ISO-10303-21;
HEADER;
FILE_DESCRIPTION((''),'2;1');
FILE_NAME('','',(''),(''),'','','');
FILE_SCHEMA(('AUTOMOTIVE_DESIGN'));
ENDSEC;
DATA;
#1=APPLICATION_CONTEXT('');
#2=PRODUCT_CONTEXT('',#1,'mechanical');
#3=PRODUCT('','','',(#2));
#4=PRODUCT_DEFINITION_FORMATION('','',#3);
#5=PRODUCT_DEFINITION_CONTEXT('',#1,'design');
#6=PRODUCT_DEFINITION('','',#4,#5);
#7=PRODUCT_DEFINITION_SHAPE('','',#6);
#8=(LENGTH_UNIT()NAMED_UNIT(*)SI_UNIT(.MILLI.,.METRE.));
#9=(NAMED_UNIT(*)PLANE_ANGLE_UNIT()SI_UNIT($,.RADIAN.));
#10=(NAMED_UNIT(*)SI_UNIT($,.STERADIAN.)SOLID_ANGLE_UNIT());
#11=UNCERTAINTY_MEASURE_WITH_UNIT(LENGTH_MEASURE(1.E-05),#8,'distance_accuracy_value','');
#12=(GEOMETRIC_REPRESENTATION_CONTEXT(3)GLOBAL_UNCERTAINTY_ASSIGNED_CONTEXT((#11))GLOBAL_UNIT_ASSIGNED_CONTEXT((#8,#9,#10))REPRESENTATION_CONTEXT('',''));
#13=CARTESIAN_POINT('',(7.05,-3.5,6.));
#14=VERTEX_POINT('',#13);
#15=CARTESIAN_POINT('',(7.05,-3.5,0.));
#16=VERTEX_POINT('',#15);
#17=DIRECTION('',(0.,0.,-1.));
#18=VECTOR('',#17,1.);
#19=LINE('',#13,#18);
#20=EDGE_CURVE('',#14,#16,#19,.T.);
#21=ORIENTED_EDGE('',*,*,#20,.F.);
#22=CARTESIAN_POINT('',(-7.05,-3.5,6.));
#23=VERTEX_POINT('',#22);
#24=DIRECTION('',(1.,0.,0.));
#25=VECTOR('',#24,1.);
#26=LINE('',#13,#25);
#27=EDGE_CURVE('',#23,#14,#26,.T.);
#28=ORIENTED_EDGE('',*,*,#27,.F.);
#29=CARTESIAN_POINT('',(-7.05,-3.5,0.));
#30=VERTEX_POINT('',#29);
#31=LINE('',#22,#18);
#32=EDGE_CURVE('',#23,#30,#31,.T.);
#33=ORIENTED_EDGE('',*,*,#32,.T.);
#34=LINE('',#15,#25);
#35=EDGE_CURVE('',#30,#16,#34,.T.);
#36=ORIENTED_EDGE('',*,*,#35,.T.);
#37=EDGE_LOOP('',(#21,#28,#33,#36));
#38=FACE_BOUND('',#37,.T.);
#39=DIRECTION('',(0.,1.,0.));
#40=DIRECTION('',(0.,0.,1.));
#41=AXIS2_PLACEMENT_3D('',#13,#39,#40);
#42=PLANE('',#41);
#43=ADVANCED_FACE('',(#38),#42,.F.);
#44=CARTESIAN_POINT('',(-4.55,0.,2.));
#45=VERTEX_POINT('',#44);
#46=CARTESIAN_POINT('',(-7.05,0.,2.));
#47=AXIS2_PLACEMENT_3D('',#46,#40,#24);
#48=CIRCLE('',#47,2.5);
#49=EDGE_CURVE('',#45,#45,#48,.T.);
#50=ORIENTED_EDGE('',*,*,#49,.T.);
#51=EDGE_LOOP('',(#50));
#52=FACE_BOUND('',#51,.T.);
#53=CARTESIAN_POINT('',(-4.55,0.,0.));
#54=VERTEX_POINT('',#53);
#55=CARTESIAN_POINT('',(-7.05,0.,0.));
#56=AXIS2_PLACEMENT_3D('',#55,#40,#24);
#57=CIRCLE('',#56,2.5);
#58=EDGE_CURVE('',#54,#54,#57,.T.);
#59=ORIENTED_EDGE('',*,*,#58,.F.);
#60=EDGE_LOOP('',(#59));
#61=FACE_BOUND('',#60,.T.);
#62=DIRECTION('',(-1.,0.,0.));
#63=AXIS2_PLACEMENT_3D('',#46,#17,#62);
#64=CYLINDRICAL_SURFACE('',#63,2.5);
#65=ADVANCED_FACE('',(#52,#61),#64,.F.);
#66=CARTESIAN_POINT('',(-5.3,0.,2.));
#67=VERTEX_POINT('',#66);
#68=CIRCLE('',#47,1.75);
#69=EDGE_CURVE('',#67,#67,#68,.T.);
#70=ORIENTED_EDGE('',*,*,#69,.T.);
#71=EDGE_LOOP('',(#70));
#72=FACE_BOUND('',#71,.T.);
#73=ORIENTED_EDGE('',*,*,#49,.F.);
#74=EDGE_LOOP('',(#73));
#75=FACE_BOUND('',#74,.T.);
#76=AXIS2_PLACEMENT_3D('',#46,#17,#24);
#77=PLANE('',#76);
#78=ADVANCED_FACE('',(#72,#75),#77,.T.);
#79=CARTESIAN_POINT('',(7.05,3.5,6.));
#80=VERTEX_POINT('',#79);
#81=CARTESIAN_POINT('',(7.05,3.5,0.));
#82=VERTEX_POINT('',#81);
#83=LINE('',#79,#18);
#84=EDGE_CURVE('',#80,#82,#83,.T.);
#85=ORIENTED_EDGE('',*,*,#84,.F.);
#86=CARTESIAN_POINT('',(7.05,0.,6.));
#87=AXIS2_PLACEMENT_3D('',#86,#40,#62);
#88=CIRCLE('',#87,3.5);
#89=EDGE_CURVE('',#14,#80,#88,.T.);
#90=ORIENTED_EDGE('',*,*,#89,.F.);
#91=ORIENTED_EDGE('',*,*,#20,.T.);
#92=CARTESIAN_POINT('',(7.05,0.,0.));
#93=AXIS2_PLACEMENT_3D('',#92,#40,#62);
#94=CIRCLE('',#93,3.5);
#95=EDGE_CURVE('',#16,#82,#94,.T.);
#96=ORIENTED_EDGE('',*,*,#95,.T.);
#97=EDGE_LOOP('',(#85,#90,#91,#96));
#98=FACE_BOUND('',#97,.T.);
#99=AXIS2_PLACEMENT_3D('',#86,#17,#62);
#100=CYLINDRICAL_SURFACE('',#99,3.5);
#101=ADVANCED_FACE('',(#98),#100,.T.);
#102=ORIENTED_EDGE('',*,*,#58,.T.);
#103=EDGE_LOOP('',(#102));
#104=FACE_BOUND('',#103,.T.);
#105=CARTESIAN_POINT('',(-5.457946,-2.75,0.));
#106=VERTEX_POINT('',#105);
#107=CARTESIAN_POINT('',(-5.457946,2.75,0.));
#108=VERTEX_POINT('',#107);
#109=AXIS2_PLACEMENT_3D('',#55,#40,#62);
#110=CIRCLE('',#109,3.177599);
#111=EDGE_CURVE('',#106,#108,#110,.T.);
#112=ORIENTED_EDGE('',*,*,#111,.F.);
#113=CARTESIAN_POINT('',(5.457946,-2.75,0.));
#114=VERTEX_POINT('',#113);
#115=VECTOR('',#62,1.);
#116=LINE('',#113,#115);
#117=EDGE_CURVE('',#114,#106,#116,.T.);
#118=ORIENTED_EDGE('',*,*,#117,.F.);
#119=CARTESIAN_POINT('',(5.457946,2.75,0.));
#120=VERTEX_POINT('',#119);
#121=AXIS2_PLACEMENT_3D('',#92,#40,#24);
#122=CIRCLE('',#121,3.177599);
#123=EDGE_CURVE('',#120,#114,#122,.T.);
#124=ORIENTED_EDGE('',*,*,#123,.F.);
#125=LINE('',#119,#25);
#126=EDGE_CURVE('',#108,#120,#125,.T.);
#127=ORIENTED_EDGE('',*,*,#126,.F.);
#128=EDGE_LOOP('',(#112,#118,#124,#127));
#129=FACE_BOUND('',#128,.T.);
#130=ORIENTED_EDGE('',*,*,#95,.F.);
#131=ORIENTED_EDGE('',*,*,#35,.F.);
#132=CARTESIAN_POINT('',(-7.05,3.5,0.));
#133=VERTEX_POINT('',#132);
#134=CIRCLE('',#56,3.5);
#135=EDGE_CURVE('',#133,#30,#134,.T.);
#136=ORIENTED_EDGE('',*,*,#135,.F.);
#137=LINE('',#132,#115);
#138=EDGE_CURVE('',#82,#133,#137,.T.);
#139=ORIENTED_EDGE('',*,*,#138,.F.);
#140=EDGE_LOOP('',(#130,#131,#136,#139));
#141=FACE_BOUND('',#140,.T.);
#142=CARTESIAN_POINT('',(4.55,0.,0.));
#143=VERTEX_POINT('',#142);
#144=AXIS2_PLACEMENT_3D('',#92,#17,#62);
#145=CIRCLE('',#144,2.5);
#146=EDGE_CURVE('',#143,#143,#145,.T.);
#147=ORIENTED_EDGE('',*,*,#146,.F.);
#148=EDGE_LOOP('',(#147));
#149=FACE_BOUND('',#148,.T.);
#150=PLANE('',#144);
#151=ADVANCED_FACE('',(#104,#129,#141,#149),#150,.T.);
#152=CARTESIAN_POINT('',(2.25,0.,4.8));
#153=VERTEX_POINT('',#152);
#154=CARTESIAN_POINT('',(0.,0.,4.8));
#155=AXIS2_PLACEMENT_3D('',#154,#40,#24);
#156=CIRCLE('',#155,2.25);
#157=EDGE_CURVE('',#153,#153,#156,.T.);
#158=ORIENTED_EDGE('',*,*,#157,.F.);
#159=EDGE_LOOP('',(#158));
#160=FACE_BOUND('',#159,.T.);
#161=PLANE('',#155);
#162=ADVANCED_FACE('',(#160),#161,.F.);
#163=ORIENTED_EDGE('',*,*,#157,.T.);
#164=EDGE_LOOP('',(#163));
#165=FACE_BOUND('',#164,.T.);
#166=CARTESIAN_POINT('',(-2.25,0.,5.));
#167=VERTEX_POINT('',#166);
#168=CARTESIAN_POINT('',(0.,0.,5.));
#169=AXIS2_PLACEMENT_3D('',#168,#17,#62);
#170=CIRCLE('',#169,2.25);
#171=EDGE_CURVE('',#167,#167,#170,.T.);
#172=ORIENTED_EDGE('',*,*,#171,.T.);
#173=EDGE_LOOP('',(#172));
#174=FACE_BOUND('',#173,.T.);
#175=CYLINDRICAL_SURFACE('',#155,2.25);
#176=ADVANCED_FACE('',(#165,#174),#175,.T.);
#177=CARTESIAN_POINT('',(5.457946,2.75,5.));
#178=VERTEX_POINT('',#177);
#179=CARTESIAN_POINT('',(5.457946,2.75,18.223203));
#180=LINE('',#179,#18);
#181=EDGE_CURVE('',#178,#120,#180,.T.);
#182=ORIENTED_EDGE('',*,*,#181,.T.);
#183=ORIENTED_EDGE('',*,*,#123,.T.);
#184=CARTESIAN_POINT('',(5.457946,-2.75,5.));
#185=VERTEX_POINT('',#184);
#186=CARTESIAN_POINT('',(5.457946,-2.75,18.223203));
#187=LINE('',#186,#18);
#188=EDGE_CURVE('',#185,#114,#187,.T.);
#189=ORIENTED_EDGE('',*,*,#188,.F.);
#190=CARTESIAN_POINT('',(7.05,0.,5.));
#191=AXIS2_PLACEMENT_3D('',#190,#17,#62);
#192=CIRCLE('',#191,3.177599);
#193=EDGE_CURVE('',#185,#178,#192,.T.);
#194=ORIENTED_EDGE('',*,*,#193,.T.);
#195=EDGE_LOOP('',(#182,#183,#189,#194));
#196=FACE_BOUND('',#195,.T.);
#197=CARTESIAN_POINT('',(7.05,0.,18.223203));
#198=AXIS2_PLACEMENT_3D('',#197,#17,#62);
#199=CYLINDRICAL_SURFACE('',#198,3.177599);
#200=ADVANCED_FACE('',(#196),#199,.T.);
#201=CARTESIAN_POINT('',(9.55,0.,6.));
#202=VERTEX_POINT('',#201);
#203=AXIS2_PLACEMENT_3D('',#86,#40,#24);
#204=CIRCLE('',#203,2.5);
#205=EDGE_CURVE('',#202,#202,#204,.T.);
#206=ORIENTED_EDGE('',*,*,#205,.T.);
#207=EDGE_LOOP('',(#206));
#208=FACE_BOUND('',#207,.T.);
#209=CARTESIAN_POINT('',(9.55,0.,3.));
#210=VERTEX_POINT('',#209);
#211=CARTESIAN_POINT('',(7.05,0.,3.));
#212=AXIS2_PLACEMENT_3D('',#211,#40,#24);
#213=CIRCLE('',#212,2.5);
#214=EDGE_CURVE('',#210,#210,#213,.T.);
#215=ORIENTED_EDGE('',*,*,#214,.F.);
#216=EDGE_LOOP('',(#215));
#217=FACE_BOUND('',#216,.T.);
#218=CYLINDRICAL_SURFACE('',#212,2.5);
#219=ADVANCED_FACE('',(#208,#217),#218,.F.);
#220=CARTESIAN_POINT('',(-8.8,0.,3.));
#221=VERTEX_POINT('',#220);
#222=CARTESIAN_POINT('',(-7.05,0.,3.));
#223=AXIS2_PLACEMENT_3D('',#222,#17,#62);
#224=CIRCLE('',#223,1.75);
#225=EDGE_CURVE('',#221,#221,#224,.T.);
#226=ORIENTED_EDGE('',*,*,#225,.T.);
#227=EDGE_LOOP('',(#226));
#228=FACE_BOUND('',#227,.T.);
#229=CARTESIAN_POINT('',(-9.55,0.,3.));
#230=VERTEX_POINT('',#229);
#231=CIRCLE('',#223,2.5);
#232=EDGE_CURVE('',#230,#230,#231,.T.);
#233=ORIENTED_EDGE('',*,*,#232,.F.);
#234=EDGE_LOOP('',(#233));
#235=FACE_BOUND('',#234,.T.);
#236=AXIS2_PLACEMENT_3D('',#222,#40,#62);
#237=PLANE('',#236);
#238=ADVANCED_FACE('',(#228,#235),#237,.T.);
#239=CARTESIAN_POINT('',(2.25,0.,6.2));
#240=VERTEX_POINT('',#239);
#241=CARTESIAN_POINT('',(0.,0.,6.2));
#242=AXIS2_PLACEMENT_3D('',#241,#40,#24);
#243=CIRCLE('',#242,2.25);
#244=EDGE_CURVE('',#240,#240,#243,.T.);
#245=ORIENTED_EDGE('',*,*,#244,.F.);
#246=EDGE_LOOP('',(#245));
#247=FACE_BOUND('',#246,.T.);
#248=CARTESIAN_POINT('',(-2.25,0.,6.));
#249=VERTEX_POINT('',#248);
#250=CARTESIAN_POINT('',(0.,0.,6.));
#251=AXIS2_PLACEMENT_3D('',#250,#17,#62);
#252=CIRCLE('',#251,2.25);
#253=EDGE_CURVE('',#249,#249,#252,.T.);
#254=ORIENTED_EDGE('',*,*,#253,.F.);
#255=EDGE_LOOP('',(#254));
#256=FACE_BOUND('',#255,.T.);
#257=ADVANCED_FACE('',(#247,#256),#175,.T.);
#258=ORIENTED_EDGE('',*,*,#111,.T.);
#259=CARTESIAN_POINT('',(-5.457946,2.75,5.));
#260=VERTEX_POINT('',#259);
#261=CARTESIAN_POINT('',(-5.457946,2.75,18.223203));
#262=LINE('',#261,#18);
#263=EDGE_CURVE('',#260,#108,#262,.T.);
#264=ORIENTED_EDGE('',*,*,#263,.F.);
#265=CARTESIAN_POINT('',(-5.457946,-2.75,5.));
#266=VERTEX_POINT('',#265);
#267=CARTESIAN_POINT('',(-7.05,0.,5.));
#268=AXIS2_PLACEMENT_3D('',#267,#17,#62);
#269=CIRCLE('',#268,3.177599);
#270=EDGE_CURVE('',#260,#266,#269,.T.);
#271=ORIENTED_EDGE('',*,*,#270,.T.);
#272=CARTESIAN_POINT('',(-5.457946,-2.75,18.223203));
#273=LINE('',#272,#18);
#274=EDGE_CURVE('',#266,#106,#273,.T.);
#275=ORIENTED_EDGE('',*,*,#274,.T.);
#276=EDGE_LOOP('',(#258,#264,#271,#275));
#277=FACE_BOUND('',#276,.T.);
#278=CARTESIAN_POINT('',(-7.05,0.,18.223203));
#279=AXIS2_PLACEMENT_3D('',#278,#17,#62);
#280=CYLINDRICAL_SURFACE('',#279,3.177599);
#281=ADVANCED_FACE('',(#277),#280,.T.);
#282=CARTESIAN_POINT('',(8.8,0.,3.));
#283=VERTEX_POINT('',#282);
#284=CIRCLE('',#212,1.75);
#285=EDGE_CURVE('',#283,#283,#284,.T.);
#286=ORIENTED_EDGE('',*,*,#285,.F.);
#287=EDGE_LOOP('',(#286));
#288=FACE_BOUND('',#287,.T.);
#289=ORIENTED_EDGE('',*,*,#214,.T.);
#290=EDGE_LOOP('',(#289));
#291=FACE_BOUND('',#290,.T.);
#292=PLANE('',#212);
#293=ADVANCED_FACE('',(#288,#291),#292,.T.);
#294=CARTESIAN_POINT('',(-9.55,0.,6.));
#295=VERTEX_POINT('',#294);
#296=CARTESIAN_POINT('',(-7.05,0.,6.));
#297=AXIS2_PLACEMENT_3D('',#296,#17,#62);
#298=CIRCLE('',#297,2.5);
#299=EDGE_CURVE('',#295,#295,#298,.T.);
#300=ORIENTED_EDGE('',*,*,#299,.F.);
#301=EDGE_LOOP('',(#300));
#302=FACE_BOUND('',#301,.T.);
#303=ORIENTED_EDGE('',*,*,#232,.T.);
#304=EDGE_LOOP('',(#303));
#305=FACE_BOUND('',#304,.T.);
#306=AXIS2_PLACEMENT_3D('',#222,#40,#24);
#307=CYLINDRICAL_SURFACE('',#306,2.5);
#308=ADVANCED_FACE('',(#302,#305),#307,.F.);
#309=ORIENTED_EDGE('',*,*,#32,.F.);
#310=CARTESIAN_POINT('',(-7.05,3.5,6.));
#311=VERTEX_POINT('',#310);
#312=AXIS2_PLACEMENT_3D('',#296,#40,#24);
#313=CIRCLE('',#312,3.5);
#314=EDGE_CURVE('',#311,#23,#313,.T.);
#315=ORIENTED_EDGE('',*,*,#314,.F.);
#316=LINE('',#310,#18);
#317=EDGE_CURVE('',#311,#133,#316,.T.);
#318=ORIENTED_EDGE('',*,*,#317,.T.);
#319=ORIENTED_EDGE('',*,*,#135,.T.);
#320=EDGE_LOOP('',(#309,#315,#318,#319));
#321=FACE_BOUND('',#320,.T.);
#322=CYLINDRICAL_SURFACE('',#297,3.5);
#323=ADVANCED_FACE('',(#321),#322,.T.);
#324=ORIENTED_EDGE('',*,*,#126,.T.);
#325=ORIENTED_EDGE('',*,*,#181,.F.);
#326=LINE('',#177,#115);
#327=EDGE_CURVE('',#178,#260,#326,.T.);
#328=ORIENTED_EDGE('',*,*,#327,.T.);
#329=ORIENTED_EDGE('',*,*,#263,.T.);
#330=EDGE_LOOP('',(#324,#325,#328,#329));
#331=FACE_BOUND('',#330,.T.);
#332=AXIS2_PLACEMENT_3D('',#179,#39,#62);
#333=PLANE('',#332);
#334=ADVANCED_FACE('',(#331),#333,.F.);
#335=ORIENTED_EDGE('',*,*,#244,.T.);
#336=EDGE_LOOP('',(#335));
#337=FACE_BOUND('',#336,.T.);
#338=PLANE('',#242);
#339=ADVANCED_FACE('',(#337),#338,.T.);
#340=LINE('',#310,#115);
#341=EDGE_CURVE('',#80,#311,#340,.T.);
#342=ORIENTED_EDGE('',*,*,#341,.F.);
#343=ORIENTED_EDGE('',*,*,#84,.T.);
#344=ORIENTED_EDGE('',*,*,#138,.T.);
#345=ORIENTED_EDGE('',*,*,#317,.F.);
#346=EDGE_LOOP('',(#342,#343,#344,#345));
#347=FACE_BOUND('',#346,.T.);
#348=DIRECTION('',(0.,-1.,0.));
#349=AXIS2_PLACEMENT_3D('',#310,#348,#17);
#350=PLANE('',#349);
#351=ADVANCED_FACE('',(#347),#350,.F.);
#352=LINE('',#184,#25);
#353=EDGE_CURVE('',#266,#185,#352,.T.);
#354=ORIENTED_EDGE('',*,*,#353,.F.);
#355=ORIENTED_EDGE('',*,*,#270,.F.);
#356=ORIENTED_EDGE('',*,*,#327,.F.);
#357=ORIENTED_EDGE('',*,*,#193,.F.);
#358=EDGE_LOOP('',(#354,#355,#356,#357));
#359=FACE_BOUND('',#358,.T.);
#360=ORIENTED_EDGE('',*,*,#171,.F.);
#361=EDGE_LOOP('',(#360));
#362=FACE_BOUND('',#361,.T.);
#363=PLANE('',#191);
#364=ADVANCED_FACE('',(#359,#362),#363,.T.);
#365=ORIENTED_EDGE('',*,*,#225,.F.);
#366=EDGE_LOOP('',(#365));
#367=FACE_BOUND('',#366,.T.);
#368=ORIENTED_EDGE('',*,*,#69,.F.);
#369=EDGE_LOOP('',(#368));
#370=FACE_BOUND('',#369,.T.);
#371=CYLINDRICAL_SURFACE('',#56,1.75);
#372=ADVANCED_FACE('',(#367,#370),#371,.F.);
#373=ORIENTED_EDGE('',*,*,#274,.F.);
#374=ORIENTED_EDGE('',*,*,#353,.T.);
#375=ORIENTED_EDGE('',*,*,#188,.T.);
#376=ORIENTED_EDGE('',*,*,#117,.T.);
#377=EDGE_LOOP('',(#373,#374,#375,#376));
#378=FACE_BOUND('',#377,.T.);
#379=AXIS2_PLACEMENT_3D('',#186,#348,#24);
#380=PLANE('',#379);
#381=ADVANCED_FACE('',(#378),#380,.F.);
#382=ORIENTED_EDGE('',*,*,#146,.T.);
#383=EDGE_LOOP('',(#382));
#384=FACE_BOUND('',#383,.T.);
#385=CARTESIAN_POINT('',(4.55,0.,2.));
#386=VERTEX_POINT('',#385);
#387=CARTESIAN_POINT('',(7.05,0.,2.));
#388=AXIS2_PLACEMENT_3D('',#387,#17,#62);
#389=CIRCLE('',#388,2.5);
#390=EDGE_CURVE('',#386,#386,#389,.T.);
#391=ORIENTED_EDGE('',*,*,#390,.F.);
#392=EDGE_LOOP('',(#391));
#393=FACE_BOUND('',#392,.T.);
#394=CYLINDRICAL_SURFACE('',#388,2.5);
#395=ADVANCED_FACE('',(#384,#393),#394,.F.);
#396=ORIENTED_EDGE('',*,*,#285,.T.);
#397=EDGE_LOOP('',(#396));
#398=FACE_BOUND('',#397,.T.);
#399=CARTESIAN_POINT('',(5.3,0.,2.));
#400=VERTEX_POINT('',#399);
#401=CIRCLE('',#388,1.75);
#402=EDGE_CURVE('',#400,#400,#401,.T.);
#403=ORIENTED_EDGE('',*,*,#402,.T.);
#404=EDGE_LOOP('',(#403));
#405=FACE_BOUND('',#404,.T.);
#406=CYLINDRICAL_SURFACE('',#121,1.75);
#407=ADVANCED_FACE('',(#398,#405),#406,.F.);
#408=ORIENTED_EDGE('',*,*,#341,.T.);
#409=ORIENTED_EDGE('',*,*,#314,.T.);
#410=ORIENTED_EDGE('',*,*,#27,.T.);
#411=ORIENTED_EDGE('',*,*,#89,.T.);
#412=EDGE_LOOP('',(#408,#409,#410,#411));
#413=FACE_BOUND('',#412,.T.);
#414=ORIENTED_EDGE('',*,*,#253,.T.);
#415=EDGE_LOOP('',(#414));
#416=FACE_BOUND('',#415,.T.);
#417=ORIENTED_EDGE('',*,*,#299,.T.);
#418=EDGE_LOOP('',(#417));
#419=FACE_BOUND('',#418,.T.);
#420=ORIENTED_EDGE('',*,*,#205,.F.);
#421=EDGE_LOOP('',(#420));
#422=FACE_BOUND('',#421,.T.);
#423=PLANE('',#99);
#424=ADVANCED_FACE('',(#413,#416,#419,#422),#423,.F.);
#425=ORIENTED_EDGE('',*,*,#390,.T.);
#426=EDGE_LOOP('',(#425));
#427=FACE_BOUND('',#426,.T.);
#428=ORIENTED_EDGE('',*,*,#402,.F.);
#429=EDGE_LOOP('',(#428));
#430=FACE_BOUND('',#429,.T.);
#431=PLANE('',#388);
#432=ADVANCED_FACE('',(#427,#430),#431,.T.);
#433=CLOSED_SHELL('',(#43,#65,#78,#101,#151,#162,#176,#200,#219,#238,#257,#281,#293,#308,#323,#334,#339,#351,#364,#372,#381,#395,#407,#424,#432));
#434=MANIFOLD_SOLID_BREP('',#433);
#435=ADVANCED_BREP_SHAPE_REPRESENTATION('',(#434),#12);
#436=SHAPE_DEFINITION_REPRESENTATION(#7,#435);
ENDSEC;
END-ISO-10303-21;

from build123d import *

# Parameters (mm, degrees)
ESTRUSIONE_ESTRUSIONE1_DEPTH      = 6
SCHIZZO2_R                        = 2.5
TAGLIO_ESTRUSIONE1_DEPTH          = 3
SCHIZZO3_R                        = 1.75
TAGLIO_ESTRUSIONE2_DEPTH          = 12.513144662
TAGLIO_ESTRUSIONE3_START          = -2
SCHIZZO4_R                        = 2.5
SCHIZZO4_R_2                      = 1.75
TAGLIO_ESTRUSIONE3_DEPTH          = 2
TAGLIO_ESTRUSIONE4_DEPTH          = 5
ESTRUSIONE_ESTRUSIONE2_DEPTH      = 0.2
ESTRUSIONE_ESTRUSIONE2_DEPTH_BACK = 1.2
SCHIZZO5_R                        = 2.25


with BuildPart() as part:
    # Schizzo1 → Estrusione-Estrusione1 (new body)
    with BuildSketch(Plane.XY):
        with BuildLine():
            Line((7.05, -3.5), (-7.05, -3.5))
            ThreePointArc((-7.05, -3.5), (-10.55, 0), (-7.05, 3.5))
            Line((-7.05, 3.5), (7.05, 3.5))
            ThreePointArc((7.05, 3.5), (10.55, 0), (7.05, -3.5))
        make_face()
    extrude(amount=ESTRUSIONE_ESTRUSIONE1_DEPTH)

    # Schizzo2 → Taglio-Estrusione1 (cut)
    with BuildSketch(Plane.XY.offset(6)):
        with Locations((7.05, 0)):
            Circle(SCHIZZO2_R)
    taglio_estrusione1 = extrude(amount=-TAGLIO_ESTRUSIONE1_DEPTH, mode=Mode.SUBTRACT)

    # Schizzo3 → Taglio-Estrusione2 (cut, through all)
    with BuildSketch(Plane.XY.offset(3)):
        with Locations((7.05, 0)):
            Circle(SCHIZZO3_R)
    taglio_estrusione2 = extrude(amount=-TAGLIO_ESTRUSIONE2_DEPTH, mode=Mode.SUBTRACT)

    # Schizzo4 → Taglio-Estrusione3 (cut)
    with BuildSketch(Plane(origin=(0, 0, 0), x_dir=(-1, 0, 0), z_dir=(0, 0, -1)).offset(TAGLIO_ESTRUSIONE3_START)):
        with Locations(Location((-7.05, 0, 0), (0, 0, 180))):
            Circle(SCHIZZO4_R)
        with Locations(Location((-7.05, 0, 0), (0, 0, 180))):
            Circle(SCHIZZO4_R_2, mode=Mode.SUBTRACT)
    taglio_estrusione3 = extrude(amount=TAGLIO_ESTRUSIONE3_DEPTH, mode=Mode.SUBTRACT)

    # Specchia1: Taglio-Estrusione1, Taglio-Estrusione2, Taglio-Estrusione3 across plane
    add(taglio_estrusione1.mirror(Plane(origin=(0, 0, 0), x_dir=(0, 0, 1), z_dir=(1, 0, 0))), mode=Mode.SUBTRACT)
    add(taglio_estrusione2.mirror(Plane(origin=(0, 0, 0), x_dir=(0, 0, 1), z_dir=(1, 0, 0))), mode=Mode.SUBTRACT)
    add(taglio_estrusione3.mirror(Plane(origin=(0, 0, 0), x_dir=(0, 0, 1), z_dir=(1, 0, 0))), mode=Mode.SUBTRACT)

    # Schizzo6 → Taglio-Estrusione4 (cut)
    with BuildSketch(Plane(origin=(0, 0, 0), x_dir=(-1, 0, 0), z_dir=(0, 0, -1))):
        with BuildLine():
            Line((-5.457945829, 2.75), (5.457945829, 2.75))
            ThreePointArc((5.457945829, 2.75), (3.87240083, 0), (5.457945829, -2.75))
            Line((5.457945829, -2.75), (-5.457945829, -2.75))
            ThreePointArc((-5.457945829, -2.75), (-3.87240083, 0), (-5.457945829, 2.75))
        make_face()
    extrude(amount=-TAGLIO_ESTRUSIONE4_DEPTH, mode=Mode.SUBTRACT)

    # Schizzo5 → Estrusione-Estrusione2 (add, two sides: drawn at the far end of the back side and taken through both)
    with BuildSketch(Plane.XY.offset(6).offset(-ESTRUSIONE_ESTRUSIONE2_DEPTH_BACK)):
        Circle(SCHIZZO5_R)
    extrude(amount=ESTRUSIONE_ESTRUSIONE2_DEPTH + ESTRUSIONE_ESTRUSIONE2_DEPTH_BACK)


solid = part.part
